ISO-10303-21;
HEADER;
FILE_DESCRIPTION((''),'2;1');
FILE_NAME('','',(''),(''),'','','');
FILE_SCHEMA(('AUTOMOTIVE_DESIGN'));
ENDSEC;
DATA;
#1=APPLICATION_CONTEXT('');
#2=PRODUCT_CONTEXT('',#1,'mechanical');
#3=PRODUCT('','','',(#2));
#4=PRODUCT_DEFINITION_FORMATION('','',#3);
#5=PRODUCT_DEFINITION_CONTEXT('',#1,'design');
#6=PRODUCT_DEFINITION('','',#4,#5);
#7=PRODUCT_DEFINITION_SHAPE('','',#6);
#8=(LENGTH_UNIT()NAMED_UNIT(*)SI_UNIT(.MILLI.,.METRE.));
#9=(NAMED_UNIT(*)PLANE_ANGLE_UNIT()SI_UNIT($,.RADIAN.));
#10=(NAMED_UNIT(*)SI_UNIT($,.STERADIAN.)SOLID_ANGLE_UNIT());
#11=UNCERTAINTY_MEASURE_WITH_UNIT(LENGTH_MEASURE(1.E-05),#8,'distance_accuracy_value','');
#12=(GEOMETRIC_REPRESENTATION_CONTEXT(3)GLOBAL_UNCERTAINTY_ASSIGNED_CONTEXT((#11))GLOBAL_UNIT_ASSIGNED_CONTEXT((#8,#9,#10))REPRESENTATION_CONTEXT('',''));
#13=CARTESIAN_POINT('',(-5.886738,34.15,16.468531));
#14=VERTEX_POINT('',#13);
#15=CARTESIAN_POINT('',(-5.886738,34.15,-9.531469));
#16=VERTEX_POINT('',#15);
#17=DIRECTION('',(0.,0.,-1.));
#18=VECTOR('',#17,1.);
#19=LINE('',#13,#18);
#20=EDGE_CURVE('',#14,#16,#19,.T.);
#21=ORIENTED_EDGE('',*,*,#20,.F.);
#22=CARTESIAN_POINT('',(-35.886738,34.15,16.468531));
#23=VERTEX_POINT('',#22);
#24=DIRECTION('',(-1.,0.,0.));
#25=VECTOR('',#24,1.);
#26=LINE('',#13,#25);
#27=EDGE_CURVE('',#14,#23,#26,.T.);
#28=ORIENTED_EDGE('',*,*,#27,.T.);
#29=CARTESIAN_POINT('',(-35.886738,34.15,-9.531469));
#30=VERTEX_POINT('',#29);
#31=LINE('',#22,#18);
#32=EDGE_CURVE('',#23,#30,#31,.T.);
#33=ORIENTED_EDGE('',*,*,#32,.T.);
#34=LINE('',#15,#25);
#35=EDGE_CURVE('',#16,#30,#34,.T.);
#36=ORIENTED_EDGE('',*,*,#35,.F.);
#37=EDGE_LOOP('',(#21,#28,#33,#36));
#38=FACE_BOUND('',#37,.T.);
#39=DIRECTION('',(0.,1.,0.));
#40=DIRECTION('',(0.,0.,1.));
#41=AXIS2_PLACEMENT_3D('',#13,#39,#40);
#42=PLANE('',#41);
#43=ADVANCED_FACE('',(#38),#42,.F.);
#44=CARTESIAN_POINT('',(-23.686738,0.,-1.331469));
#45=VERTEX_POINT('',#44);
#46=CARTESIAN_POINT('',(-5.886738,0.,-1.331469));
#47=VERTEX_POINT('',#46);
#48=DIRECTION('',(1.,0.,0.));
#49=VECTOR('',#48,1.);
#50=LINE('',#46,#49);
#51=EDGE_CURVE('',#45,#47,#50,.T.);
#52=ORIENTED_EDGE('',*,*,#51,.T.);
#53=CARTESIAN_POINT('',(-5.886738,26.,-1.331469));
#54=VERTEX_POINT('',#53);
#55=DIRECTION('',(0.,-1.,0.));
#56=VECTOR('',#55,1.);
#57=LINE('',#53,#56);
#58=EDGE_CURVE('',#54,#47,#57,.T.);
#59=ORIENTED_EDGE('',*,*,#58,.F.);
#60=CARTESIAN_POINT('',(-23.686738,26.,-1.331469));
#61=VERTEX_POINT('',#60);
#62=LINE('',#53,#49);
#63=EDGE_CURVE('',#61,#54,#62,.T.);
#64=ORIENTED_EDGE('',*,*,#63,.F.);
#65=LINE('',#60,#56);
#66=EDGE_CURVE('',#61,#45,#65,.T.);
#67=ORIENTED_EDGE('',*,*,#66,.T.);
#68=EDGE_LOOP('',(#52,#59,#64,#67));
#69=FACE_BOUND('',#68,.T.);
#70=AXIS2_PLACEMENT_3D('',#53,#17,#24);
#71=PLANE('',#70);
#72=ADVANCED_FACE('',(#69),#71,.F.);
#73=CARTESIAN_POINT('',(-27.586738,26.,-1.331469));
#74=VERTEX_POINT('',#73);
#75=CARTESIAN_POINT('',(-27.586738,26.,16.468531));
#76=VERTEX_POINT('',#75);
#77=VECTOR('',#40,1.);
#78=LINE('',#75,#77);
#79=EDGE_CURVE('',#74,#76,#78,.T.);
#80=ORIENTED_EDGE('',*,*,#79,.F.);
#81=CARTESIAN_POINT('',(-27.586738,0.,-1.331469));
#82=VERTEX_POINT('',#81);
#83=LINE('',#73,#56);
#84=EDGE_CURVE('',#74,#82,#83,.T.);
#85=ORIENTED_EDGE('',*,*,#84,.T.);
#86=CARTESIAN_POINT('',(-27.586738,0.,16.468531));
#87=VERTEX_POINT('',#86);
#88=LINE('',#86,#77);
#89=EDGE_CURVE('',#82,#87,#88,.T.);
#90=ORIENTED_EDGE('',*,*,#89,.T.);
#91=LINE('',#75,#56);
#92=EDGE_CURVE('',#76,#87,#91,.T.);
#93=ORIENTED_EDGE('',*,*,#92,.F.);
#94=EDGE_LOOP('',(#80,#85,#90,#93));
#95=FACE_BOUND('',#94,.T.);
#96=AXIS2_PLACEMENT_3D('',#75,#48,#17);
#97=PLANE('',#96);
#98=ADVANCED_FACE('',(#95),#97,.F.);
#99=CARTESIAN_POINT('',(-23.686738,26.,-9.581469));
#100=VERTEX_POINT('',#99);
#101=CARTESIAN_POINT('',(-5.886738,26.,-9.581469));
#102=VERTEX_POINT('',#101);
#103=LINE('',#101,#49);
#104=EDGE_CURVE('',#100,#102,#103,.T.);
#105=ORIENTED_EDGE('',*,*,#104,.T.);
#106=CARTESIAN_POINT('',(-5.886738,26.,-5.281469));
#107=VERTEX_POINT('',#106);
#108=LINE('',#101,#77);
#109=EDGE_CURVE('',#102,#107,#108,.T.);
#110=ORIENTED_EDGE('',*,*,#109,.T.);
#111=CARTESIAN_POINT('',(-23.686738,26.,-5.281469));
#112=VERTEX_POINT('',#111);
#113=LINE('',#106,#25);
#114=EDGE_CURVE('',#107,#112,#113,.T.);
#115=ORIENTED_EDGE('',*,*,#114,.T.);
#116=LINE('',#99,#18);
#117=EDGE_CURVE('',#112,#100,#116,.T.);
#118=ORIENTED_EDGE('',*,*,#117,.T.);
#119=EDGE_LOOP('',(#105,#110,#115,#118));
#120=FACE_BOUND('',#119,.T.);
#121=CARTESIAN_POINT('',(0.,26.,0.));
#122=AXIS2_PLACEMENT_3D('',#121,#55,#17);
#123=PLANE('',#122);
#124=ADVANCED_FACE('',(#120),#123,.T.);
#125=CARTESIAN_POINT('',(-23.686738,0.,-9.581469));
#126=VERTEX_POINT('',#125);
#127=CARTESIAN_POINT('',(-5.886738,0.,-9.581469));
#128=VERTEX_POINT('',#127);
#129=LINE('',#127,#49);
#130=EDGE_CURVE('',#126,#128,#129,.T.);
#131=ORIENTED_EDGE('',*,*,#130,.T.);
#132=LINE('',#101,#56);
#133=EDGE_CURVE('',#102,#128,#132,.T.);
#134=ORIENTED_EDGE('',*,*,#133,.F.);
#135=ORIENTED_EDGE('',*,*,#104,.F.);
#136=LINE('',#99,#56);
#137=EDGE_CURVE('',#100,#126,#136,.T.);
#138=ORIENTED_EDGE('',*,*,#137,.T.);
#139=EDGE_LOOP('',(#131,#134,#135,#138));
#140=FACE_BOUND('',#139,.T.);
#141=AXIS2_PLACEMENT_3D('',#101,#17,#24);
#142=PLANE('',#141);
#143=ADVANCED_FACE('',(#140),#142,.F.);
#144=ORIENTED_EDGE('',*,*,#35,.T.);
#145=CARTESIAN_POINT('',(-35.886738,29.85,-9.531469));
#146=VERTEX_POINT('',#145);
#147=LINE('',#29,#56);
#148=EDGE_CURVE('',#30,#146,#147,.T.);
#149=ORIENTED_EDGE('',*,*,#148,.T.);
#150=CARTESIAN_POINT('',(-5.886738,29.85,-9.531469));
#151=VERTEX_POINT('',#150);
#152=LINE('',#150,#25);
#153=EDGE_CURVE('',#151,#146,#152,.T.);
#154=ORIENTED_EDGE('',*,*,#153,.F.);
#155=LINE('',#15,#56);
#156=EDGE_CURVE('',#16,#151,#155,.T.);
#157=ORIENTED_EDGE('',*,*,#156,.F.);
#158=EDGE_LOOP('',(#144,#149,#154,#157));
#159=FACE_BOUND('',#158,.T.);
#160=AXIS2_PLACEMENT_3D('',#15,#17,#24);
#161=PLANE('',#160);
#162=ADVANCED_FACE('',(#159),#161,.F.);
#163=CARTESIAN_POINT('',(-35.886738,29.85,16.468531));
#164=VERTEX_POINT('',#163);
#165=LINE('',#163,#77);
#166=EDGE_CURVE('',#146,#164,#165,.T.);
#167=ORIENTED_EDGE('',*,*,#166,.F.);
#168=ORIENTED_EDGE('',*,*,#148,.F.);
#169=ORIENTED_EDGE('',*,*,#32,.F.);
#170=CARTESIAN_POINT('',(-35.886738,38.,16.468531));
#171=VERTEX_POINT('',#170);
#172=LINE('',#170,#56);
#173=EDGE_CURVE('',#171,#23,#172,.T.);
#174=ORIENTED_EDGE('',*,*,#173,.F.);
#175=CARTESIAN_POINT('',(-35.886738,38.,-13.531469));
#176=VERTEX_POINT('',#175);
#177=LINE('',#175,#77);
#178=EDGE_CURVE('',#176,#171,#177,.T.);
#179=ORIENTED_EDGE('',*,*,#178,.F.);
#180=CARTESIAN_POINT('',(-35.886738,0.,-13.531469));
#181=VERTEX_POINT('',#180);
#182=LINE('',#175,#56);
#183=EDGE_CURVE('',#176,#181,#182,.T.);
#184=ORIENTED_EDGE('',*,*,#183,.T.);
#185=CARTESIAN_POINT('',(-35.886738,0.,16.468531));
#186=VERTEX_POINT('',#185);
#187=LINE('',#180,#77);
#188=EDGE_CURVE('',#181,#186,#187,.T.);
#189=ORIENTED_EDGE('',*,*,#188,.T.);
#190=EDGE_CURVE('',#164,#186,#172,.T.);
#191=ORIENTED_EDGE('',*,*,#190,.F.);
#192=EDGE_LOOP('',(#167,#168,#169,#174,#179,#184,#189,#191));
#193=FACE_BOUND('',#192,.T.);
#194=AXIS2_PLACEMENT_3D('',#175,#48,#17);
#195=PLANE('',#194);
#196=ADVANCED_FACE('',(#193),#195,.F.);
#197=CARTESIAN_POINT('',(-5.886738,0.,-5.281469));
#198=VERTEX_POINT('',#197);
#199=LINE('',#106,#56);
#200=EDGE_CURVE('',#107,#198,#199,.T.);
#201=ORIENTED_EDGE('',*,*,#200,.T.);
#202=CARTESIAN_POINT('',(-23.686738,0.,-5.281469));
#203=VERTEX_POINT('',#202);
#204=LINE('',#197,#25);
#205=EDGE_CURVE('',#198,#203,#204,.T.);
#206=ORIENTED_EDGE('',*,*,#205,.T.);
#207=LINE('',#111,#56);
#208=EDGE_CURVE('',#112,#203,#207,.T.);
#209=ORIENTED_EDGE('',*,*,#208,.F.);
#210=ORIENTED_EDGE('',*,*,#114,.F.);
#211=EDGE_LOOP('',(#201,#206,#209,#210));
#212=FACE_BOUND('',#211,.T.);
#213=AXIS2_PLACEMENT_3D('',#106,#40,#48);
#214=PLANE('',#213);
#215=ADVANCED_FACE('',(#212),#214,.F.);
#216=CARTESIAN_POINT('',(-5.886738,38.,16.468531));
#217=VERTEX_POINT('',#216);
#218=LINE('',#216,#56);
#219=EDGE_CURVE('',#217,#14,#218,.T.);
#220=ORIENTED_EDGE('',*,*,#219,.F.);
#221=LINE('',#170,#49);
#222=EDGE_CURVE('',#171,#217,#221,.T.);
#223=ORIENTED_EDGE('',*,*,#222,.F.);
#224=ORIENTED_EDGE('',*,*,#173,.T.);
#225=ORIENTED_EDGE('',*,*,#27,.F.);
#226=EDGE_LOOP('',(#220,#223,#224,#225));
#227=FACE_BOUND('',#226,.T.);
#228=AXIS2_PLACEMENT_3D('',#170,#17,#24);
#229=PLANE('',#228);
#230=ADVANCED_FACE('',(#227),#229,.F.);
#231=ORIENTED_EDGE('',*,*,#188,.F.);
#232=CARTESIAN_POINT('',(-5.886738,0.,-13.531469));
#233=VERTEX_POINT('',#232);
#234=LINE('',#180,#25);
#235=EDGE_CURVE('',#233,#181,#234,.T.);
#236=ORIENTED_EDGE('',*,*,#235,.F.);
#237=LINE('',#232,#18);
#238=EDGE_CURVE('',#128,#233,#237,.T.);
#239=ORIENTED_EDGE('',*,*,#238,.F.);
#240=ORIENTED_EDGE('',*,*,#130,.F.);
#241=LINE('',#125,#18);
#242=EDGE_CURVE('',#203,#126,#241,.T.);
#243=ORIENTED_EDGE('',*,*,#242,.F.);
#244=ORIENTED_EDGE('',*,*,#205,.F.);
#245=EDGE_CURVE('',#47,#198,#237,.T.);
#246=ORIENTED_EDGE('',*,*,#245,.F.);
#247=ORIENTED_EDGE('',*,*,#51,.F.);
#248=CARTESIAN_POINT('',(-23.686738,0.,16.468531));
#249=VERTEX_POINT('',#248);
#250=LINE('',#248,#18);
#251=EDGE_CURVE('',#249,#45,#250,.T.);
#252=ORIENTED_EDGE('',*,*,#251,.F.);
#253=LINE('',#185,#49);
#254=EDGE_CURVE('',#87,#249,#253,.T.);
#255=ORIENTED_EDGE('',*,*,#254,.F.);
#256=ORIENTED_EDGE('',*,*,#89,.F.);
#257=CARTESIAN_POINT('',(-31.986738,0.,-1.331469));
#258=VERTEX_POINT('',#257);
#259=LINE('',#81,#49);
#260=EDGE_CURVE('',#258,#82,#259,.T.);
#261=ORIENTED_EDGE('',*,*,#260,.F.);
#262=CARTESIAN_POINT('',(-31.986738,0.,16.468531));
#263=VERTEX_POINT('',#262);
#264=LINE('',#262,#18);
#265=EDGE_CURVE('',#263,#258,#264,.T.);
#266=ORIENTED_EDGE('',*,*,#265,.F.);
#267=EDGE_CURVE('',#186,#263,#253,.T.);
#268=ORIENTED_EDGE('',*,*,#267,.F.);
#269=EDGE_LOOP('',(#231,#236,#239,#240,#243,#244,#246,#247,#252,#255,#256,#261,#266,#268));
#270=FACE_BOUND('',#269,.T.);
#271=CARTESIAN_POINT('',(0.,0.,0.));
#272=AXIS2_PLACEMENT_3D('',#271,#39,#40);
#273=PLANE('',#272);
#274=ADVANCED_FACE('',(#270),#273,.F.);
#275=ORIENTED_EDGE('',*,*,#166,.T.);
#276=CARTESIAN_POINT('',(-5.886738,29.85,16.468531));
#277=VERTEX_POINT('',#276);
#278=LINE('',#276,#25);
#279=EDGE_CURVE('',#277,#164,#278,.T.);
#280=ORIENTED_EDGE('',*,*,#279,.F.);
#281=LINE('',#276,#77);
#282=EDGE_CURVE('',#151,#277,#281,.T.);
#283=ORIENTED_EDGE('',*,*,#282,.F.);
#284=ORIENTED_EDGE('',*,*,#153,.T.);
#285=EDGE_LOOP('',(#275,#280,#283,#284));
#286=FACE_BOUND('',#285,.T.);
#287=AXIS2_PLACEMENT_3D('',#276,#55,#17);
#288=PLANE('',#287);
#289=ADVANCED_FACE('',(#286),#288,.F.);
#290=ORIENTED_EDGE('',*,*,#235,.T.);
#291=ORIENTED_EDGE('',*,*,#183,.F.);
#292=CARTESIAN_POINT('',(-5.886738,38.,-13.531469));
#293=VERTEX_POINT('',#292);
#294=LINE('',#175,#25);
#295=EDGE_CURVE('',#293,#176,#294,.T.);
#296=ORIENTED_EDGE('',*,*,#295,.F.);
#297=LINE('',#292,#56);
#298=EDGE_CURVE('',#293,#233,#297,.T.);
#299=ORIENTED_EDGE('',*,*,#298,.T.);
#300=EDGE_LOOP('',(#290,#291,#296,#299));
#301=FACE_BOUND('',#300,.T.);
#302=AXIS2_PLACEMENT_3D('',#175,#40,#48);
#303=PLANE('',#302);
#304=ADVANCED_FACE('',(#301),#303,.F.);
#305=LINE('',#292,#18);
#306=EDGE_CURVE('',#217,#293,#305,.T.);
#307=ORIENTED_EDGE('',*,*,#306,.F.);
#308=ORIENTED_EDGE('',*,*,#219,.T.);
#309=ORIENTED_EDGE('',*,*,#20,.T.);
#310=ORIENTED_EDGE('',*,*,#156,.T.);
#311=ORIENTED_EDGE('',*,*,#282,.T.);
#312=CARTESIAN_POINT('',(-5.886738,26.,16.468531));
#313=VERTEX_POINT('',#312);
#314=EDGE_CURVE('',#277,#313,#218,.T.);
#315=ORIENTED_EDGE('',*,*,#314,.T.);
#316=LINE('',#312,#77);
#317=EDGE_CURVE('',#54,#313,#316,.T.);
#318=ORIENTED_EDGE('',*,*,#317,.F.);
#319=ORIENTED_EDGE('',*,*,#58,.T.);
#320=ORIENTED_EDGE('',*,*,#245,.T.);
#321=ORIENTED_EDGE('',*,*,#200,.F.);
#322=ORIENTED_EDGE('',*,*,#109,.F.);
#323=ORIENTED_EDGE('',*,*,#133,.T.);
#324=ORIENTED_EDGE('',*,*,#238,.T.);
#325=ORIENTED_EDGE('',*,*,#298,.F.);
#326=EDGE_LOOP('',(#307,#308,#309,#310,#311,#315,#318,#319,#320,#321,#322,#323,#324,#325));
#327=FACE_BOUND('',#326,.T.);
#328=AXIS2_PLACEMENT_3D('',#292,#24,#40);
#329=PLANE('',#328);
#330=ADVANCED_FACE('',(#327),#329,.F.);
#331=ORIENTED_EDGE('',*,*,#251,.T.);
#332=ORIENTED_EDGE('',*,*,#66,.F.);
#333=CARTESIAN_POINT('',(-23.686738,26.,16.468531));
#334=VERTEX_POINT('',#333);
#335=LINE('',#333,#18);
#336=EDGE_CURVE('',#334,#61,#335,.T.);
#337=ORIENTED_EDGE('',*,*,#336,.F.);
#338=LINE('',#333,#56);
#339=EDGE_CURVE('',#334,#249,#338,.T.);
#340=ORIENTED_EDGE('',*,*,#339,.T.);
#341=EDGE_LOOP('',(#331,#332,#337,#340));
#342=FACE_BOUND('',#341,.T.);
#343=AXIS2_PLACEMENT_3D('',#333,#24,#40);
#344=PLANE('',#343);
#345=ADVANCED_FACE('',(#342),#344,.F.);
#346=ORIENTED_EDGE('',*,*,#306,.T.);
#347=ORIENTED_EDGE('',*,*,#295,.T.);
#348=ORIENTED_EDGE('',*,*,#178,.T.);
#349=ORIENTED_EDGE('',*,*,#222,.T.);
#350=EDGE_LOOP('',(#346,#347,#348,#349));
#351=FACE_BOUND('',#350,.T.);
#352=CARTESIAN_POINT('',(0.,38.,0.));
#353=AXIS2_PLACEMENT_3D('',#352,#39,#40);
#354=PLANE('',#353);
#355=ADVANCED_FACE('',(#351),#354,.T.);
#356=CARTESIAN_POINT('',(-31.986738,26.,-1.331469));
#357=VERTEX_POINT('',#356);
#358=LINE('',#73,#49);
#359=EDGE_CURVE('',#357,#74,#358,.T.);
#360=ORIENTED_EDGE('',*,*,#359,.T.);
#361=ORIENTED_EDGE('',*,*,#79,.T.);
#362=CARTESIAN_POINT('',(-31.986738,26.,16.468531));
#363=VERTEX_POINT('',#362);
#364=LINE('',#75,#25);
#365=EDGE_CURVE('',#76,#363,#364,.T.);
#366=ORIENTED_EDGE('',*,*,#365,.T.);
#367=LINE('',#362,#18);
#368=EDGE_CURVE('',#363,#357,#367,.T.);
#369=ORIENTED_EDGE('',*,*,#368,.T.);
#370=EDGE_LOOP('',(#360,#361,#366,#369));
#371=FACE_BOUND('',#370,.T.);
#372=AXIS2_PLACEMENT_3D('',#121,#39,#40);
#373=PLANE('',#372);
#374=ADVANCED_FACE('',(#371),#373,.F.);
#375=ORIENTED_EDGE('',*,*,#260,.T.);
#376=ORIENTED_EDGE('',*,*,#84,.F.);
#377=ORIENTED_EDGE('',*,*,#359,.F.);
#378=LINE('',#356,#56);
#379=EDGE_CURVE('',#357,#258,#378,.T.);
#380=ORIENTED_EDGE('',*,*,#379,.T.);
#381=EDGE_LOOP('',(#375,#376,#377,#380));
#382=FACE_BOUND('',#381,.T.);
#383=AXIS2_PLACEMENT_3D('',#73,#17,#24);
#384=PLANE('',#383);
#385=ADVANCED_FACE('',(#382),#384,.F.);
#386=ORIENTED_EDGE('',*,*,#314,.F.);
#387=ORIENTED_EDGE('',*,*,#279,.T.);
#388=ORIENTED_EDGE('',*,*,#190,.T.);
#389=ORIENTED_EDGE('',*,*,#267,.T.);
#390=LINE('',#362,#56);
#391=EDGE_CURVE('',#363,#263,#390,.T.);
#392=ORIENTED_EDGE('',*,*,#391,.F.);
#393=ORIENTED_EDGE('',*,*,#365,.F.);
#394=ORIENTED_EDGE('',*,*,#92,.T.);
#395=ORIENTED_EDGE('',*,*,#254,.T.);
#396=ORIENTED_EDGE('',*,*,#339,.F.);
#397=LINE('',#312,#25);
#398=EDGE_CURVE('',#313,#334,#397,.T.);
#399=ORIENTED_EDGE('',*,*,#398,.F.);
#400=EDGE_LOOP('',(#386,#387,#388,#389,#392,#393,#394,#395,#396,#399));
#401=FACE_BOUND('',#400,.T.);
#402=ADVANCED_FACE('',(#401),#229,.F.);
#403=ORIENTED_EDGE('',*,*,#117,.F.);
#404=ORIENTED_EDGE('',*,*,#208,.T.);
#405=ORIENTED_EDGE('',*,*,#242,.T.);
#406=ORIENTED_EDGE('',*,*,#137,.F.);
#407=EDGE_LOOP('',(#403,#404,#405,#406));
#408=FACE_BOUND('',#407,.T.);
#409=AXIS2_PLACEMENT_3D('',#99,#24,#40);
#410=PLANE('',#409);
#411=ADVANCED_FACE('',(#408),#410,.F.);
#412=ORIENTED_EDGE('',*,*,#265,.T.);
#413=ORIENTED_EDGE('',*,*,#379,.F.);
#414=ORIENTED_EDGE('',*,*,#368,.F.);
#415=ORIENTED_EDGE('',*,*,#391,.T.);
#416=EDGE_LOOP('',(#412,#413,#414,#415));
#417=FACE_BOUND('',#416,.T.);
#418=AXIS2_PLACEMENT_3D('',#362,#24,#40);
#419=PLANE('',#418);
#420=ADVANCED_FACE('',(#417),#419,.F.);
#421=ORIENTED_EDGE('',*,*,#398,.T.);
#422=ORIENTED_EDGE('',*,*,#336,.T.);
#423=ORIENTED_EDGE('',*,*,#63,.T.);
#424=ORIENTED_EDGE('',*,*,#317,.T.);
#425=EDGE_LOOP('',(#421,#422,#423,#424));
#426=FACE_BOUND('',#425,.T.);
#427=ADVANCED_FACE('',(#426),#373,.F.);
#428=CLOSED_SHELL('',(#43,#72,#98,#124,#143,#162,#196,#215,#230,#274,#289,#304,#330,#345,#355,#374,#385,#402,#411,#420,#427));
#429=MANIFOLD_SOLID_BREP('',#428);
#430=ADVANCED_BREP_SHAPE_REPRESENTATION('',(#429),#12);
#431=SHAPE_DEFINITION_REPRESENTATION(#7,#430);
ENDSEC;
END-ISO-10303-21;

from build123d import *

# Parameters (mm, degrees)
ESQUISSE1_W             = 30
ESQUISSE1_H             = 30
BOSS_EXTRU_1_DEPTH      = 38
ESQUISSE2_W             = 17.8
ESQUISSE2_H             = 4.3
ESQUISSE2_W_2           = 4.4
ESQUISSE2_H_2           = 17.8
ENL_V_MAT_EXTRU_1_DEPTH = 26
ESQUISSE5_W             = 26
ESQUISSE5_H             = 4.3
ENL_V_MAT_EXTRU_4_DEPTH = 31


with BuildPart() as part:
    # Esquisse1 → Boss.-Extru.1 (new body)
    with BuildSketch(Plane(origin=(0, 0, 0), x_dir=(1, 0, 0), z_dir=(0, 1, 0))):
        with Locations((-20.886738322, -1.468531469)):
            Rectangle(ESQUISSE1_W, ESQUISSE1_H)
    extrude(amount=BOSS_EXTRU_1_DEPTH)

    # Esquisse2 → Enlèv. mat.-Extru.1 (cut)
    with BuildSketch(Plane.XZ):
        with Locations((-14.786738322, -7.431468531)):
            Rectangle(ESQUISSE2_W, ESQUISSE2_H)
        with Locations((-29.786738322, 7.568531469)):
            Rectangle(ESQUISSE2_W_2, ESQUISSE2_H_2)
        with Locations((-14.786738322, 7.568531469)):
            Rectangle(ESQUISSE2_W, ESQUISSE2_H_2)
    extrude(amount=-ENL_V_MAT_EXTRU_1_DEPTH, mode=Mode.SUBTRACT)

    # Esquisse5 → Enlèv. mat.-Extru.4 (cut, through all)
    with BuildSketch(Plane.ZY.offset(35.886738322)):
        with Locations((3.468531469, 32)):
            Rectangle(ESQUISSE5_W, ESQUISSE5_H)
    extrude(amount=-ENL_V_MAT_EXTRU_4_DEPTH, mode=Mode.SUBTRACT)


solid = part.part
